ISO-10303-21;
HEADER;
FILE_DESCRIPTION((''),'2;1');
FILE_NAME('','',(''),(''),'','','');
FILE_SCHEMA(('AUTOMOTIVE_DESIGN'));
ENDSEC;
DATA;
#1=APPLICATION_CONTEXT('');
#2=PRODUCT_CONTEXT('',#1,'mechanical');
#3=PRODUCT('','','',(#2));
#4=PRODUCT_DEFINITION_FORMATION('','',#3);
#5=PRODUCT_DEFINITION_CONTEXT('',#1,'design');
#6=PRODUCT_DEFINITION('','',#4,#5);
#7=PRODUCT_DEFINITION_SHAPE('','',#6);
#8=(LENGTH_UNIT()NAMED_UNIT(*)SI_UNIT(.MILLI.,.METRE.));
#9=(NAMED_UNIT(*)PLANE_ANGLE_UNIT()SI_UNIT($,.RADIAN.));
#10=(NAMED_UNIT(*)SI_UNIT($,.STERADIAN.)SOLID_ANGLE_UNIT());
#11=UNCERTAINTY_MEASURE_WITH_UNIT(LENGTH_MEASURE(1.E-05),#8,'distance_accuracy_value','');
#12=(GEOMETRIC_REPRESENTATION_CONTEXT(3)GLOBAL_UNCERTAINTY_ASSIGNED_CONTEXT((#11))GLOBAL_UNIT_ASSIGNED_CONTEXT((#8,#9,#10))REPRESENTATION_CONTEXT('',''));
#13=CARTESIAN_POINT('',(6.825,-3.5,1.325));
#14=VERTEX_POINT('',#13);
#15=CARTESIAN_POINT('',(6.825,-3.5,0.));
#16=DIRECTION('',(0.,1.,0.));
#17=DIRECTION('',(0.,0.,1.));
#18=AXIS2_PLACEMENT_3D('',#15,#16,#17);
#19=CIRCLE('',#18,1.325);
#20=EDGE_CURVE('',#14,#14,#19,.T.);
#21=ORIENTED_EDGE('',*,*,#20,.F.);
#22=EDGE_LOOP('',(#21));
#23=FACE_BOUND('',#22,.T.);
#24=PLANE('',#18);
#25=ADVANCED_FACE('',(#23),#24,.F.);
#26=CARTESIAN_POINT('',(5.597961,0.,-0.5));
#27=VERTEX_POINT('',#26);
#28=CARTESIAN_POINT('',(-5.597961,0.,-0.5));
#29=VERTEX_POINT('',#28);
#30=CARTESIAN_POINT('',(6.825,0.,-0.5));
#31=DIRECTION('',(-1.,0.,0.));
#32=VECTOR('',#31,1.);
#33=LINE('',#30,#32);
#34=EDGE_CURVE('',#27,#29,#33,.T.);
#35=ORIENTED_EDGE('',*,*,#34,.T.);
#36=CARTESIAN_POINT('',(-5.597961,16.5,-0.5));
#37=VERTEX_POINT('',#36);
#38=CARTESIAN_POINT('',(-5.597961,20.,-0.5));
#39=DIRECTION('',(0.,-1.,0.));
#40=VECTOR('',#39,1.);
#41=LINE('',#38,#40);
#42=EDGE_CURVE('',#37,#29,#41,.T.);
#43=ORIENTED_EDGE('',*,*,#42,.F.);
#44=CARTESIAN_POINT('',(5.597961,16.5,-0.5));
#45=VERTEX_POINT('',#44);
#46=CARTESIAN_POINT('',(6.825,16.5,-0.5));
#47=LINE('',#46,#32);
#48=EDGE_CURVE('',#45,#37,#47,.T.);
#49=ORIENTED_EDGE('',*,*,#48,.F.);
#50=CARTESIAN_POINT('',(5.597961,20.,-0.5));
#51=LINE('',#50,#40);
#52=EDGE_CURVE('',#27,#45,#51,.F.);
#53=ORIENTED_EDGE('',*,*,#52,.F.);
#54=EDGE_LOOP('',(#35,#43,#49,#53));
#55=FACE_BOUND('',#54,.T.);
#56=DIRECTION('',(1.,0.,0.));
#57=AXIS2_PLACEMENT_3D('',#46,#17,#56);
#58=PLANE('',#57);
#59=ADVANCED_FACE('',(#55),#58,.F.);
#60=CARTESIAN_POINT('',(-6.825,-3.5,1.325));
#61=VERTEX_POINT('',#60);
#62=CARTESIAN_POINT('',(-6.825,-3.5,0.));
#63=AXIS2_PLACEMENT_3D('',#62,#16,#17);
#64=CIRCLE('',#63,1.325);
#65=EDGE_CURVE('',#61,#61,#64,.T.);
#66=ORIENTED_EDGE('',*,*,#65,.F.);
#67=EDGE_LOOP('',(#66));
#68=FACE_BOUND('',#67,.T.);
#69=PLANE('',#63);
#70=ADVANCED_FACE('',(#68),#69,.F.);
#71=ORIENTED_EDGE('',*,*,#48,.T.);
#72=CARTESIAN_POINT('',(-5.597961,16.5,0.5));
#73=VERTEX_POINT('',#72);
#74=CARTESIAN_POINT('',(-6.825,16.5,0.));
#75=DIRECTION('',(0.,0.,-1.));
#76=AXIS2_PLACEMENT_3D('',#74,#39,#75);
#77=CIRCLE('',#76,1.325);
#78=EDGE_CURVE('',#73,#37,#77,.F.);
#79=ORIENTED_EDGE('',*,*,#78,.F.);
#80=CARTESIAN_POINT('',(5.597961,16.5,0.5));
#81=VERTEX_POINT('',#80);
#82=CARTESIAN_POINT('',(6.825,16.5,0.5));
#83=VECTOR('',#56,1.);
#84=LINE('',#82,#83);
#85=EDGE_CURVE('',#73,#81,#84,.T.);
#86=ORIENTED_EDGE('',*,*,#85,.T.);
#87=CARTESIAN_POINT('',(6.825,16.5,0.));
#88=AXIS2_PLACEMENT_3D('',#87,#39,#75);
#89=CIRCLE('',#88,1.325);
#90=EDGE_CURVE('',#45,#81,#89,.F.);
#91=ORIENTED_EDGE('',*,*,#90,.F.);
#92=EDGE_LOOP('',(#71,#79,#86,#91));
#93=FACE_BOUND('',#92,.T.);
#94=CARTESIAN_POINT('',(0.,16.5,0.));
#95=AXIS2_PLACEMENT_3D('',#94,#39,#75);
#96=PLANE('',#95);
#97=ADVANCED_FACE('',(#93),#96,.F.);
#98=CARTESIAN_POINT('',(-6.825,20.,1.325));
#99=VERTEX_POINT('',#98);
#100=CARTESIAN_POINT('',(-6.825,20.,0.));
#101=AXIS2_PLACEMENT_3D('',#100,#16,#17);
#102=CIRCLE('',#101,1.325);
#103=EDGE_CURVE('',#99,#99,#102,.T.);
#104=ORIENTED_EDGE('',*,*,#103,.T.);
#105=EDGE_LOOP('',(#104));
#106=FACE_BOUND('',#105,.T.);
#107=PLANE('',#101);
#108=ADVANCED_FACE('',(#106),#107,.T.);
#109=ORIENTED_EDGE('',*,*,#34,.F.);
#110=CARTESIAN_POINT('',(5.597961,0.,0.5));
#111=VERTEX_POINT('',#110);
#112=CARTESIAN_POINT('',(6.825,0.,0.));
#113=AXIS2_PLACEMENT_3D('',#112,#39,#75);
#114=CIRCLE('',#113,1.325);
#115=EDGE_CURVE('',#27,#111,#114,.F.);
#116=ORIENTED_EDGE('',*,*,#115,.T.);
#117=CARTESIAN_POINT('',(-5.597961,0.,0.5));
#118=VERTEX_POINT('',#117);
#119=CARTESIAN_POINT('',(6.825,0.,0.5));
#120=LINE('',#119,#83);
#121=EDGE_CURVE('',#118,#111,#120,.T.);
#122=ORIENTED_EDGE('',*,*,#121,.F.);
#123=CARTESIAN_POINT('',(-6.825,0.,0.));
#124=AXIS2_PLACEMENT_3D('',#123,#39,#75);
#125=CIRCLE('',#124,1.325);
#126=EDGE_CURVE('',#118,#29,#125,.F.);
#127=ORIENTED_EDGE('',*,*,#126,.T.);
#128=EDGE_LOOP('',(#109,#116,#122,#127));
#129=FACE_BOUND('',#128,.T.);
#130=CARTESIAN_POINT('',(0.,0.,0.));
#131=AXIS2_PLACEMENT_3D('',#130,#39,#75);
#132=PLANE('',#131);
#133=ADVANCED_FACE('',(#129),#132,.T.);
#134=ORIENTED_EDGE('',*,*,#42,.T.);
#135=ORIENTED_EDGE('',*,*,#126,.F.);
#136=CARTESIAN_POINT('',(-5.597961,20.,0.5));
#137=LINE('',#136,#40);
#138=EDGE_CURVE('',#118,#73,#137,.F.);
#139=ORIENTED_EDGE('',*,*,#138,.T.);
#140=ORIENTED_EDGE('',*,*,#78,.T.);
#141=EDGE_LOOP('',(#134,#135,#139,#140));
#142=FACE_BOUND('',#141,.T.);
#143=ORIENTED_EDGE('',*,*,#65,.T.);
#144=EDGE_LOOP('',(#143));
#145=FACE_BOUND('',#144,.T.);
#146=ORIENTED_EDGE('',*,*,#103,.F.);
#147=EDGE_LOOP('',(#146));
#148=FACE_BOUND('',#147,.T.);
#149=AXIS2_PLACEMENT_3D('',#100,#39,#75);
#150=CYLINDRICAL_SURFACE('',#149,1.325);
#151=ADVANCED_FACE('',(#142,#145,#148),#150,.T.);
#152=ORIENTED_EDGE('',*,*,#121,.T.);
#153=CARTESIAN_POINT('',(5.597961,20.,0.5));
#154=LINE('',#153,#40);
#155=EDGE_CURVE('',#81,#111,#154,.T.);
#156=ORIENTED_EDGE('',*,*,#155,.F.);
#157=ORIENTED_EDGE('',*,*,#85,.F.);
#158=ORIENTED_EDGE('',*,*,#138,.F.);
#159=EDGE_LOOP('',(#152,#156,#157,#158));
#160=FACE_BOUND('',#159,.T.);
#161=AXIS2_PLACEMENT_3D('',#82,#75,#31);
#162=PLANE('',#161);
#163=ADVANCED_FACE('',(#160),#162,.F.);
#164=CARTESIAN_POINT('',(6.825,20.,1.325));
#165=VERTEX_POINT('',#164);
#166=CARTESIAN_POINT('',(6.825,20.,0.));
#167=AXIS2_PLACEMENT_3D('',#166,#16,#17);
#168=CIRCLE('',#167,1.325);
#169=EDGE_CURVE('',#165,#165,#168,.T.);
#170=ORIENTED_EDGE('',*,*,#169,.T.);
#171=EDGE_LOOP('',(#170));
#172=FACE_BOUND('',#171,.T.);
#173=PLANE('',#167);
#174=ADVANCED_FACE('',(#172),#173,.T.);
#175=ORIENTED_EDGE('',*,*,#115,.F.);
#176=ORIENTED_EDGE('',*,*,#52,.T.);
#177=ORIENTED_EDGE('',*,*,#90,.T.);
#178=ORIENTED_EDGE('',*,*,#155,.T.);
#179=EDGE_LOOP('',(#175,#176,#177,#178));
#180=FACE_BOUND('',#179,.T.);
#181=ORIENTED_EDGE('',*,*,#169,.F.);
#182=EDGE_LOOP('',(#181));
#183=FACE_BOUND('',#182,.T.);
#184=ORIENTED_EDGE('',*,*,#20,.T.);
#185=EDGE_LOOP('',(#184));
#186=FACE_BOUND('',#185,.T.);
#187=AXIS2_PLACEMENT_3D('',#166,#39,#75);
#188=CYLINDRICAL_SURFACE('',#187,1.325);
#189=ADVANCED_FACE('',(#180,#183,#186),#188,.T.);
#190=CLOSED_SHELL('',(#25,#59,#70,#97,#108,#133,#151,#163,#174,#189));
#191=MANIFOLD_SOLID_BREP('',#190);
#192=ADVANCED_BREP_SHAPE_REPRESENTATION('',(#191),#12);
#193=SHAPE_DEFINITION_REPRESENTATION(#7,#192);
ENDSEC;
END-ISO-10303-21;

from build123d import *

# Parameters (mm, degrees)
SKETCH1_W           = 13.65
SKETCH1_H           = 1
BOSS_EXTRUDE1_DEPTH = 16.5
SKETCH2_R           = 1.325
BOSS_EXTRUDE2_DEPTH = 11.75


with BuildPart() as part:
    # Sketch1 → Boss-Extrude1 (new body)
    with BuildSketch(Plane(origin=(0, 0, 0), x_dir=(1, 0, 0), z_dir=(0, 1, 0))):
        Rectangle(SKETCH1_W, SKETCH1_H)
    extrude(amount=BOSS_EXTRUDE1_DEPTH)

    # Sketch2 → Boss-Extrude2 (add, symmetric)
    with BuildSketch(Plane(origin=(0, 8.25, 0), x_dir=(1, 0, 0), z_dir=(0, 1, 0))):
        with Locations(Location((-6.825, 0, 0), (0, 0, 270))):
            Circle(SKETCH2_R)
        with Locations(Location((6.825, 0, 0), (0, 0, 270))):
            Circle(SKETCH2_R)
    extrude(amount=BOSS_EXTRUDE2_DEPTH, both=True)


solid = part.part
